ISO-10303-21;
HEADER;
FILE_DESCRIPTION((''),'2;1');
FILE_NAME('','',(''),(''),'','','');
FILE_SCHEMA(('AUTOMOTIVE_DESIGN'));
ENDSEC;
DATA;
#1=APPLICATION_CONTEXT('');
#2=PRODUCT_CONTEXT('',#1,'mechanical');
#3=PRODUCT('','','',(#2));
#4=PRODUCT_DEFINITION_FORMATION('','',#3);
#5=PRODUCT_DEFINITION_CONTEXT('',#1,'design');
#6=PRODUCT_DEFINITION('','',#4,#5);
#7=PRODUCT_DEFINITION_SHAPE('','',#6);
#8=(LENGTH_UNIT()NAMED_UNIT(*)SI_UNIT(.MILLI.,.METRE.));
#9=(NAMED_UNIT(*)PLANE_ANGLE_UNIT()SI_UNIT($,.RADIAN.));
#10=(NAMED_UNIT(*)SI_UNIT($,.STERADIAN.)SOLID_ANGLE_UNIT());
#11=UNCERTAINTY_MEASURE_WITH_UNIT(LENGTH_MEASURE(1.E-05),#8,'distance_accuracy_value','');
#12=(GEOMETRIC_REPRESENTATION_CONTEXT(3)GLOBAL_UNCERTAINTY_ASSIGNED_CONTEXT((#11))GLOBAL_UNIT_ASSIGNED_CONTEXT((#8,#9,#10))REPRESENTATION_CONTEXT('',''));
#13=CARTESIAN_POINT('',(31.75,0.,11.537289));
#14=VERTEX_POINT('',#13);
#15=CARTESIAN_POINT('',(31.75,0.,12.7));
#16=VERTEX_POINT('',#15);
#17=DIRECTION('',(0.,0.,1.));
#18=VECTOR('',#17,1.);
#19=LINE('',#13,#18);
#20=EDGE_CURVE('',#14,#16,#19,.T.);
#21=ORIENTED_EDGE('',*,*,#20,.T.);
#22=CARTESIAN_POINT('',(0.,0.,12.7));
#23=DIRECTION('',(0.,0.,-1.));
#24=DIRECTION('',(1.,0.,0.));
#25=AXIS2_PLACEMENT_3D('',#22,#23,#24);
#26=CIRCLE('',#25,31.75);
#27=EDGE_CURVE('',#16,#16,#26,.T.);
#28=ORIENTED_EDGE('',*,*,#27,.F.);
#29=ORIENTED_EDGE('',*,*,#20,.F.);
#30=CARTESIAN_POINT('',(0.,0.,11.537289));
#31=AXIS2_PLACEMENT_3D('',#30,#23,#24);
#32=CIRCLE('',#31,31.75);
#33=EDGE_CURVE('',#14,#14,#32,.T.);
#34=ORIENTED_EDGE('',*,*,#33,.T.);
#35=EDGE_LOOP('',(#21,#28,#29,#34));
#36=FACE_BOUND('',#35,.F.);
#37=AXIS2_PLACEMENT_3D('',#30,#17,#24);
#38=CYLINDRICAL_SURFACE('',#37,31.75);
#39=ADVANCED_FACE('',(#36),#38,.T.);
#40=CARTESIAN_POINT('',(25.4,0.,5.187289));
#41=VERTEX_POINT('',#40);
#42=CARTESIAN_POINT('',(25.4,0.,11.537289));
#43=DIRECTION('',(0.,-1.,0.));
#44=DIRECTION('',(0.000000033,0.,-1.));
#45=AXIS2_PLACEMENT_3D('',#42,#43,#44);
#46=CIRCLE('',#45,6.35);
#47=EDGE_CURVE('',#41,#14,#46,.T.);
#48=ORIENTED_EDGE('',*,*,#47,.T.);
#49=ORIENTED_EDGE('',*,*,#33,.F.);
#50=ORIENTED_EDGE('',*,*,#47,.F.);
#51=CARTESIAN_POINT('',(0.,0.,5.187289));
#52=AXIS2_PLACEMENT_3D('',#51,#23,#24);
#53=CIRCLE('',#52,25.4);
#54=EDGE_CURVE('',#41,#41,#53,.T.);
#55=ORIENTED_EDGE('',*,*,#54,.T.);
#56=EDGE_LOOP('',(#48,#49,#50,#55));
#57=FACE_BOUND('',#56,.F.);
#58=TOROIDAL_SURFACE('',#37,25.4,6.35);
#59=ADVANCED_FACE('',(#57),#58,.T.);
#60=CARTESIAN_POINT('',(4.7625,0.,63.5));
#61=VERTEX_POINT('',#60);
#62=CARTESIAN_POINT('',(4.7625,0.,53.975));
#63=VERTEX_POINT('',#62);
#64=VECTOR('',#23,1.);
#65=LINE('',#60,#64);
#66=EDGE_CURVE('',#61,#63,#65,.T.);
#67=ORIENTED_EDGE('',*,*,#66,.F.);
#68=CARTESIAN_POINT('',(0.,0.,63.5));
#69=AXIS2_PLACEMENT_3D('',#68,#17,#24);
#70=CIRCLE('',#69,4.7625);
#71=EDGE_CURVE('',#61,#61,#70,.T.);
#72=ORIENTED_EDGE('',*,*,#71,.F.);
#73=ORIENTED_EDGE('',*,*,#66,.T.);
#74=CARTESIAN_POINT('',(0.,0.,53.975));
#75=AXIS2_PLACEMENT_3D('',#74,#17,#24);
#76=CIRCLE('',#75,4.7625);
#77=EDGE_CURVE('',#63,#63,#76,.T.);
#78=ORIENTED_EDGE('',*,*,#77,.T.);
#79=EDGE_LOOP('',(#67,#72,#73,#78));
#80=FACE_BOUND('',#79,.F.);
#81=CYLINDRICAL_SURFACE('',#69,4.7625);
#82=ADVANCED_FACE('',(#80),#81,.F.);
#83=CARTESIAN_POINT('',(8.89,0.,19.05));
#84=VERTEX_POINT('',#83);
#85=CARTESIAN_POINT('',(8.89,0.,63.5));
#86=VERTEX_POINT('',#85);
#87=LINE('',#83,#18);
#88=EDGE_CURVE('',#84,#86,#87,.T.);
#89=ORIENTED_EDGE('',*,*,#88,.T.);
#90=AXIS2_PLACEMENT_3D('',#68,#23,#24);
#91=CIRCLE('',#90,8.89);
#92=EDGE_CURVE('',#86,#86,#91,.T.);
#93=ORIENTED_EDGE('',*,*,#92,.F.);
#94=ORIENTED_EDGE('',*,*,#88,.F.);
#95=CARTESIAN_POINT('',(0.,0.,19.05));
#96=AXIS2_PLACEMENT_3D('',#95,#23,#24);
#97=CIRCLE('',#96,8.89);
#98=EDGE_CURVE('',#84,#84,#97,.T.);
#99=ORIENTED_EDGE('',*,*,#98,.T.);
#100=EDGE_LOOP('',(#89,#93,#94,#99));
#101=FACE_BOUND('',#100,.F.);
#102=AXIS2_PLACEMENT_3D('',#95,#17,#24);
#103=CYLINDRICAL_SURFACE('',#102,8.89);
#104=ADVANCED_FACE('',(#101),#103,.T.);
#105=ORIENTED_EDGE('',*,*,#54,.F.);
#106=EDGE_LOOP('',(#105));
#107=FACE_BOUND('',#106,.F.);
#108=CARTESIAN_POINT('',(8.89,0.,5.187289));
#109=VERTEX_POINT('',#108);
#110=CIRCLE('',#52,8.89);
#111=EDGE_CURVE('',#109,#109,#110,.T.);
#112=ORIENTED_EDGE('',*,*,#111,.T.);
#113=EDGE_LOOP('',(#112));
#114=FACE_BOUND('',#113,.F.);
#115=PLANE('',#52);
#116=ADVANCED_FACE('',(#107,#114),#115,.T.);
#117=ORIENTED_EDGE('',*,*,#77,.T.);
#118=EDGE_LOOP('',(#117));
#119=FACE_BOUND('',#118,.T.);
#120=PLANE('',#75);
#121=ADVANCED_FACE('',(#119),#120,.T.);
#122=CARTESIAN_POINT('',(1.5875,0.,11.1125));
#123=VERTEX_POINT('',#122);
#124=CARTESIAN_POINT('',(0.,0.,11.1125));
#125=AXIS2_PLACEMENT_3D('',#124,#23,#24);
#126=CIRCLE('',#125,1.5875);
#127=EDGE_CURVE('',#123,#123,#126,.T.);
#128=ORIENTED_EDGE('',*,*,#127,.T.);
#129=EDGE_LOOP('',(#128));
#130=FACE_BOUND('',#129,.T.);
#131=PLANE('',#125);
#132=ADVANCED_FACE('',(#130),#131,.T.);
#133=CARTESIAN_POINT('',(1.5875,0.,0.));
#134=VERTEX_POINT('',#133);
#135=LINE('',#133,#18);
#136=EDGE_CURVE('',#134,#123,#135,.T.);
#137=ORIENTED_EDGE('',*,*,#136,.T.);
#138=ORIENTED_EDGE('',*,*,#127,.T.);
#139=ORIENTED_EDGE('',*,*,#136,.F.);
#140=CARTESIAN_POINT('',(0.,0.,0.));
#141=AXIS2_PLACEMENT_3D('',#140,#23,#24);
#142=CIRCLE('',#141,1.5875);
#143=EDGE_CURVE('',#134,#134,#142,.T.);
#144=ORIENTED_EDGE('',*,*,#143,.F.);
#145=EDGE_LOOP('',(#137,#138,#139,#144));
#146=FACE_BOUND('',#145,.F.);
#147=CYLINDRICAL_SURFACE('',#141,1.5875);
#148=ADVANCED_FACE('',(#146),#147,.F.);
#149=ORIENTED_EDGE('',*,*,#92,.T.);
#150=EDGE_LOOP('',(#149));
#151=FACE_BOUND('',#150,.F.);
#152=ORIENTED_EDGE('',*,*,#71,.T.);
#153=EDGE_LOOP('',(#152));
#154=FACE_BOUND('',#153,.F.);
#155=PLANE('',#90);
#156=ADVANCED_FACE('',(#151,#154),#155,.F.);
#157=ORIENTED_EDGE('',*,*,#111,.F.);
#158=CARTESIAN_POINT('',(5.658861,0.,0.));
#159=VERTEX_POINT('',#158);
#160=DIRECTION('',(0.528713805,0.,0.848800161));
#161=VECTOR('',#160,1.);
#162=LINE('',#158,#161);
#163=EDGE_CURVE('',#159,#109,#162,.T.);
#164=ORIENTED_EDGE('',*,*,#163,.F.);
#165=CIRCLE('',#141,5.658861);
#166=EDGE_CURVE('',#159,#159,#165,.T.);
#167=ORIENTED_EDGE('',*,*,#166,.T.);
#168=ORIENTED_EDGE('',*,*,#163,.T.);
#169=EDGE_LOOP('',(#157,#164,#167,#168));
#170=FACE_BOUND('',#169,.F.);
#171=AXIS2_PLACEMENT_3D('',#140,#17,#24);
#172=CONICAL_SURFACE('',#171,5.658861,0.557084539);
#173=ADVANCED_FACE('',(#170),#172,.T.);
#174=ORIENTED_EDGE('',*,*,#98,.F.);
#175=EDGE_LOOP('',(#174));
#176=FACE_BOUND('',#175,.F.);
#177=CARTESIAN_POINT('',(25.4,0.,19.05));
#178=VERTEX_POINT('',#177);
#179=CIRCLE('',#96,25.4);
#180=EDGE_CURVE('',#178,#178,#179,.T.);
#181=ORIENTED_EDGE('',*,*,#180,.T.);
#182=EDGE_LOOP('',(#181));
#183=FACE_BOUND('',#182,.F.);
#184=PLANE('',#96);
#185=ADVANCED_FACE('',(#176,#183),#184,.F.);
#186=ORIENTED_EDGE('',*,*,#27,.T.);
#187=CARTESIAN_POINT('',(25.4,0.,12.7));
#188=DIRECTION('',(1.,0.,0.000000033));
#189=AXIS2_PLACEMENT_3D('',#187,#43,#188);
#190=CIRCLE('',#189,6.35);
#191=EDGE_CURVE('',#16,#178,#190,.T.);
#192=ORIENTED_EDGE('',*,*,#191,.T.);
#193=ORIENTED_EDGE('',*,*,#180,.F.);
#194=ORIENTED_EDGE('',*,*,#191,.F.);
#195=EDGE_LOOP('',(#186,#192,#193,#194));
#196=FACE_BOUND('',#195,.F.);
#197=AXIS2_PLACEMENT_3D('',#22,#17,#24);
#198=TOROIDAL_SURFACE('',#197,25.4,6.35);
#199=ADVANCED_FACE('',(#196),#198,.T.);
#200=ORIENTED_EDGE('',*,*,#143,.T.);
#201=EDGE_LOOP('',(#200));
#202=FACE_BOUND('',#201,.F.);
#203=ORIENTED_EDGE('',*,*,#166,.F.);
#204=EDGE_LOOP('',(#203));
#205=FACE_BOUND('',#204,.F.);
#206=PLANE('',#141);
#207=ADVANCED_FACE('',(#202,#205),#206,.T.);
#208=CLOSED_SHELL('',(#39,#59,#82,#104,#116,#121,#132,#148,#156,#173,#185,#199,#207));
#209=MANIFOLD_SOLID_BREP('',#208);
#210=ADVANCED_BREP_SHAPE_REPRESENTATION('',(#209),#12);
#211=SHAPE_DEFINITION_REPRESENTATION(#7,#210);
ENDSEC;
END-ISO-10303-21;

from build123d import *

# Parameters (mm, degrees)
F2_R     = 1.5875
F3_DEPTH = 11.1125
F4_R     = 4.7625
F5_DEPTH = 9.525


with BuildPart() as f1:
    # F0 (on Front) → F1 (revolve)
    with BuildSketch(Plane.XZ):
        with BuildLine():
            Line((0, 63.5), (0, 0))
            Line((0, 0), (5.658861, 0))
            Line((5.658861, 0), (8.89, 5.187289))
            Line((8.89, 5.187289), (25.4, 5.187289))
            ThreePointArc((25.4, 5.187289), (29.890128, 7.047161), (31.75, 11.537289))
            Line((31.75, 11.537289), (31.75, 12.7))
            ThreePointArc((31.75, 12.7), (29.890128, 17.190128), (25.4, 19.05))
            Line((25.4, 19.05), (8.89, 19.05))
            Line((8.89, 19.05), (8.89, 63.5))
            Line((8.89, 63.5), (0, 63.5))
        make_face()
    revolve(axis=Axis((0, 0, 31.75), (0, 0, -1)))

    # F2 (on face) → F3 (cut)
    with BuildSketch(Plane(origin=(0, 0, 0), x_dir=(1, 0, 0), z_dir=(0, 0, -1))):
        Circle(F2_R)
    extrude(amount=-F3_DEPTH, mode=Mode.SUBTRACT)

    # F4 (on face) → F5 (cut)
    with BuildSketch(Plane.XY.offset(63.5)):
        Circle(F4_R)
    extrude(amount=-F5_DEPTH, mode=Mode.SUBTRACT)


solid = f1.part
